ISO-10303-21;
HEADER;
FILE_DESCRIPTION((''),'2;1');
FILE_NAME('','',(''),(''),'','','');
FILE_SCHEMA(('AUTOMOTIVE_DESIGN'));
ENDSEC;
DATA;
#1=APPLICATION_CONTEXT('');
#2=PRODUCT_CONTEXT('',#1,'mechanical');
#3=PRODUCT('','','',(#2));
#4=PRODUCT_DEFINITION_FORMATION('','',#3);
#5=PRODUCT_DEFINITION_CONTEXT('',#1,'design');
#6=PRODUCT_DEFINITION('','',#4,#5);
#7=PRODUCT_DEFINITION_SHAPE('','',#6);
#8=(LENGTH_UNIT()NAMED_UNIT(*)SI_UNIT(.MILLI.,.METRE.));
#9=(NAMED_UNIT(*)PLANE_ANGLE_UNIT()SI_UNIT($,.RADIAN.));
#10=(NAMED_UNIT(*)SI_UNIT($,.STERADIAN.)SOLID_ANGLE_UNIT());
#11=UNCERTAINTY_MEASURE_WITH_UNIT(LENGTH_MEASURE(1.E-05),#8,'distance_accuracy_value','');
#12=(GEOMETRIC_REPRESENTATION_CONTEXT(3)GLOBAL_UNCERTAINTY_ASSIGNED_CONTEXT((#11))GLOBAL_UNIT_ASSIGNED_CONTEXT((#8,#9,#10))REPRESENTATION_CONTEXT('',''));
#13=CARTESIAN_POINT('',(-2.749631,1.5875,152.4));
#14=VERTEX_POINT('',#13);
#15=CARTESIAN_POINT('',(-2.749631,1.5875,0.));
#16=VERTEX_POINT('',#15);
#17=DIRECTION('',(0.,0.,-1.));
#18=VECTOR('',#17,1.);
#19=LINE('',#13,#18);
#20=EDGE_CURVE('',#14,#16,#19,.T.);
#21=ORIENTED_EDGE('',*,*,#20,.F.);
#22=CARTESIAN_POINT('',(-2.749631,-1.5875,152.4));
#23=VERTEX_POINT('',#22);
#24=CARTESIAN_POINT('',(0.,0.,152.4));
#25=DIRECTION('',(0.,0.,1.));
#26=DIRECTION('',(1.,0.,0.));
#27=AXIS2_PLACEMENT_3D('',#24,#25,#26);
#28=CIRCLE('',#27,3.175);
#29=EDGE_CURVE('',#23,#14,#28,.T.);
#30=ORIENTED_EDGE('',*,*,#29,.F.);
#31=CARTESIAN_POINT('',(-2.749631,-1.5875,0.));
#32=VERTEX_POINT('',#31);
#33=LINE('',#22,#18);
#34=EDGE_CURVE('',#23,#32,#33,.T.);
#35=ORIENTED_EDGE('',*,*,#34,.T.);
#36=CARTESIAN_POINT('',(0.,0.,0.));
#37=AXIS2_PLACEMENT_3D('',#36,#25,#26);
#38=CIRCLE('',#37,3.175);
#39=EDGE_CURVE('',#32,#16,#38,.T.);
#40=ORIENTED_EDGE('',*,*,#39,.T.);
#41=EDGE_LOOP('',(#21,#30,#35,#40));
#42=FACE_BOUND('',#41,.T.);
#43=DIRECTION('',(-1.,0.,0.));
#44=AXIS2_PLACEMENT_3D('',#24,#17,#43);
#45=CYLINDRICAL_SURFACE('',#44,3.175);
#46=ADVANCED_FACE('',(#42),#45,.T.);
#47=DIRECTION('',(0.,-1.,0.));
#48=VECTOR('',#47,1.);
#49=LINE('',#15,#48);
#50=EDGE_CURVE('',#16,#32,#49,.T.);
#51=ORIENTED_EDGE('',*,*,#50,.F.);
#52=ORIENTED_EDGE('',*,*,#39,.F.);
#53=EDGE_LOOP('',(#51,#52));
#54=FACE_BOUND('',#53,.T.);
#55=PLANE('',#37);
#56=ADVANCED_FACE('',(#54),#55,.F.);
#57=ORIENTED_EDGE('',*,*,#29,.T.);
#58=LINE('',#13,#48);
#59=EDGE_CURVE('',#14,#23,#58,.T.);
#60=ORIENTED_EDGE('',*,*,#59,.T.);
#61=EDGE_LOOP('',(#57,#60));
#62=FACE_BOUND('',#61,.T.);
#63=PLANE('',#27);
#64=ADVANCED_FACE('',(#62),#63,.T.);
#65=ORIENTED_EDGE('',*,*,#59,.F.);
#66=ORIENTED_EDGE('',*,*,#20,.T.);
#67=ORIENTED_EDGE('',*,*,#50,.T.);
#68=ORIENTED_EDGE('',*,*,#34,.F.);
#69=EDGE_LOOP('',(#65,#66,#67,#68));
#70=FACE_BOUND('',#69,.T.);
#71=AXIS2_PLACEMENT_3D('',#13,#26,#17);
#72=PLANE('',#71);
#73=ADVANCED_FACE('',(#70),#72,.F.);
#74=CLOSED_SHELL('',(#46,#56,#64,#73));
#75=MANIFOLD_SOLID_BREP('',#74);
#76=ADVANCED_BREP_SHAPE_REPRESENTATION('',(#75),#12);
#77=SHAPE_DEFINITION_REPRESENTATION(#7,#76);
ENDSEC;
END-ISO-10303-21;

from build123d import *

# Parameters (mm, degrees)
BOSS_EXTRUDE1_DEPTH = 152.4


with BuildPart() as part:
    # Sketch2 → Boss-Extrude1 (new body)
    with BuildSketch(Plane.XY):
        with BuildLine():
            Line((-2.749630657, 1.5875), (-2.749630657, -1.5875))
            ThreePointArc((-2.749630657, -1.5875), (3.175, 0), (-2.749630657, 1.5875))
        make_face()
    extrude(amount=BOSS_EXTRUDE1_DEPTH)


solid = part.part
